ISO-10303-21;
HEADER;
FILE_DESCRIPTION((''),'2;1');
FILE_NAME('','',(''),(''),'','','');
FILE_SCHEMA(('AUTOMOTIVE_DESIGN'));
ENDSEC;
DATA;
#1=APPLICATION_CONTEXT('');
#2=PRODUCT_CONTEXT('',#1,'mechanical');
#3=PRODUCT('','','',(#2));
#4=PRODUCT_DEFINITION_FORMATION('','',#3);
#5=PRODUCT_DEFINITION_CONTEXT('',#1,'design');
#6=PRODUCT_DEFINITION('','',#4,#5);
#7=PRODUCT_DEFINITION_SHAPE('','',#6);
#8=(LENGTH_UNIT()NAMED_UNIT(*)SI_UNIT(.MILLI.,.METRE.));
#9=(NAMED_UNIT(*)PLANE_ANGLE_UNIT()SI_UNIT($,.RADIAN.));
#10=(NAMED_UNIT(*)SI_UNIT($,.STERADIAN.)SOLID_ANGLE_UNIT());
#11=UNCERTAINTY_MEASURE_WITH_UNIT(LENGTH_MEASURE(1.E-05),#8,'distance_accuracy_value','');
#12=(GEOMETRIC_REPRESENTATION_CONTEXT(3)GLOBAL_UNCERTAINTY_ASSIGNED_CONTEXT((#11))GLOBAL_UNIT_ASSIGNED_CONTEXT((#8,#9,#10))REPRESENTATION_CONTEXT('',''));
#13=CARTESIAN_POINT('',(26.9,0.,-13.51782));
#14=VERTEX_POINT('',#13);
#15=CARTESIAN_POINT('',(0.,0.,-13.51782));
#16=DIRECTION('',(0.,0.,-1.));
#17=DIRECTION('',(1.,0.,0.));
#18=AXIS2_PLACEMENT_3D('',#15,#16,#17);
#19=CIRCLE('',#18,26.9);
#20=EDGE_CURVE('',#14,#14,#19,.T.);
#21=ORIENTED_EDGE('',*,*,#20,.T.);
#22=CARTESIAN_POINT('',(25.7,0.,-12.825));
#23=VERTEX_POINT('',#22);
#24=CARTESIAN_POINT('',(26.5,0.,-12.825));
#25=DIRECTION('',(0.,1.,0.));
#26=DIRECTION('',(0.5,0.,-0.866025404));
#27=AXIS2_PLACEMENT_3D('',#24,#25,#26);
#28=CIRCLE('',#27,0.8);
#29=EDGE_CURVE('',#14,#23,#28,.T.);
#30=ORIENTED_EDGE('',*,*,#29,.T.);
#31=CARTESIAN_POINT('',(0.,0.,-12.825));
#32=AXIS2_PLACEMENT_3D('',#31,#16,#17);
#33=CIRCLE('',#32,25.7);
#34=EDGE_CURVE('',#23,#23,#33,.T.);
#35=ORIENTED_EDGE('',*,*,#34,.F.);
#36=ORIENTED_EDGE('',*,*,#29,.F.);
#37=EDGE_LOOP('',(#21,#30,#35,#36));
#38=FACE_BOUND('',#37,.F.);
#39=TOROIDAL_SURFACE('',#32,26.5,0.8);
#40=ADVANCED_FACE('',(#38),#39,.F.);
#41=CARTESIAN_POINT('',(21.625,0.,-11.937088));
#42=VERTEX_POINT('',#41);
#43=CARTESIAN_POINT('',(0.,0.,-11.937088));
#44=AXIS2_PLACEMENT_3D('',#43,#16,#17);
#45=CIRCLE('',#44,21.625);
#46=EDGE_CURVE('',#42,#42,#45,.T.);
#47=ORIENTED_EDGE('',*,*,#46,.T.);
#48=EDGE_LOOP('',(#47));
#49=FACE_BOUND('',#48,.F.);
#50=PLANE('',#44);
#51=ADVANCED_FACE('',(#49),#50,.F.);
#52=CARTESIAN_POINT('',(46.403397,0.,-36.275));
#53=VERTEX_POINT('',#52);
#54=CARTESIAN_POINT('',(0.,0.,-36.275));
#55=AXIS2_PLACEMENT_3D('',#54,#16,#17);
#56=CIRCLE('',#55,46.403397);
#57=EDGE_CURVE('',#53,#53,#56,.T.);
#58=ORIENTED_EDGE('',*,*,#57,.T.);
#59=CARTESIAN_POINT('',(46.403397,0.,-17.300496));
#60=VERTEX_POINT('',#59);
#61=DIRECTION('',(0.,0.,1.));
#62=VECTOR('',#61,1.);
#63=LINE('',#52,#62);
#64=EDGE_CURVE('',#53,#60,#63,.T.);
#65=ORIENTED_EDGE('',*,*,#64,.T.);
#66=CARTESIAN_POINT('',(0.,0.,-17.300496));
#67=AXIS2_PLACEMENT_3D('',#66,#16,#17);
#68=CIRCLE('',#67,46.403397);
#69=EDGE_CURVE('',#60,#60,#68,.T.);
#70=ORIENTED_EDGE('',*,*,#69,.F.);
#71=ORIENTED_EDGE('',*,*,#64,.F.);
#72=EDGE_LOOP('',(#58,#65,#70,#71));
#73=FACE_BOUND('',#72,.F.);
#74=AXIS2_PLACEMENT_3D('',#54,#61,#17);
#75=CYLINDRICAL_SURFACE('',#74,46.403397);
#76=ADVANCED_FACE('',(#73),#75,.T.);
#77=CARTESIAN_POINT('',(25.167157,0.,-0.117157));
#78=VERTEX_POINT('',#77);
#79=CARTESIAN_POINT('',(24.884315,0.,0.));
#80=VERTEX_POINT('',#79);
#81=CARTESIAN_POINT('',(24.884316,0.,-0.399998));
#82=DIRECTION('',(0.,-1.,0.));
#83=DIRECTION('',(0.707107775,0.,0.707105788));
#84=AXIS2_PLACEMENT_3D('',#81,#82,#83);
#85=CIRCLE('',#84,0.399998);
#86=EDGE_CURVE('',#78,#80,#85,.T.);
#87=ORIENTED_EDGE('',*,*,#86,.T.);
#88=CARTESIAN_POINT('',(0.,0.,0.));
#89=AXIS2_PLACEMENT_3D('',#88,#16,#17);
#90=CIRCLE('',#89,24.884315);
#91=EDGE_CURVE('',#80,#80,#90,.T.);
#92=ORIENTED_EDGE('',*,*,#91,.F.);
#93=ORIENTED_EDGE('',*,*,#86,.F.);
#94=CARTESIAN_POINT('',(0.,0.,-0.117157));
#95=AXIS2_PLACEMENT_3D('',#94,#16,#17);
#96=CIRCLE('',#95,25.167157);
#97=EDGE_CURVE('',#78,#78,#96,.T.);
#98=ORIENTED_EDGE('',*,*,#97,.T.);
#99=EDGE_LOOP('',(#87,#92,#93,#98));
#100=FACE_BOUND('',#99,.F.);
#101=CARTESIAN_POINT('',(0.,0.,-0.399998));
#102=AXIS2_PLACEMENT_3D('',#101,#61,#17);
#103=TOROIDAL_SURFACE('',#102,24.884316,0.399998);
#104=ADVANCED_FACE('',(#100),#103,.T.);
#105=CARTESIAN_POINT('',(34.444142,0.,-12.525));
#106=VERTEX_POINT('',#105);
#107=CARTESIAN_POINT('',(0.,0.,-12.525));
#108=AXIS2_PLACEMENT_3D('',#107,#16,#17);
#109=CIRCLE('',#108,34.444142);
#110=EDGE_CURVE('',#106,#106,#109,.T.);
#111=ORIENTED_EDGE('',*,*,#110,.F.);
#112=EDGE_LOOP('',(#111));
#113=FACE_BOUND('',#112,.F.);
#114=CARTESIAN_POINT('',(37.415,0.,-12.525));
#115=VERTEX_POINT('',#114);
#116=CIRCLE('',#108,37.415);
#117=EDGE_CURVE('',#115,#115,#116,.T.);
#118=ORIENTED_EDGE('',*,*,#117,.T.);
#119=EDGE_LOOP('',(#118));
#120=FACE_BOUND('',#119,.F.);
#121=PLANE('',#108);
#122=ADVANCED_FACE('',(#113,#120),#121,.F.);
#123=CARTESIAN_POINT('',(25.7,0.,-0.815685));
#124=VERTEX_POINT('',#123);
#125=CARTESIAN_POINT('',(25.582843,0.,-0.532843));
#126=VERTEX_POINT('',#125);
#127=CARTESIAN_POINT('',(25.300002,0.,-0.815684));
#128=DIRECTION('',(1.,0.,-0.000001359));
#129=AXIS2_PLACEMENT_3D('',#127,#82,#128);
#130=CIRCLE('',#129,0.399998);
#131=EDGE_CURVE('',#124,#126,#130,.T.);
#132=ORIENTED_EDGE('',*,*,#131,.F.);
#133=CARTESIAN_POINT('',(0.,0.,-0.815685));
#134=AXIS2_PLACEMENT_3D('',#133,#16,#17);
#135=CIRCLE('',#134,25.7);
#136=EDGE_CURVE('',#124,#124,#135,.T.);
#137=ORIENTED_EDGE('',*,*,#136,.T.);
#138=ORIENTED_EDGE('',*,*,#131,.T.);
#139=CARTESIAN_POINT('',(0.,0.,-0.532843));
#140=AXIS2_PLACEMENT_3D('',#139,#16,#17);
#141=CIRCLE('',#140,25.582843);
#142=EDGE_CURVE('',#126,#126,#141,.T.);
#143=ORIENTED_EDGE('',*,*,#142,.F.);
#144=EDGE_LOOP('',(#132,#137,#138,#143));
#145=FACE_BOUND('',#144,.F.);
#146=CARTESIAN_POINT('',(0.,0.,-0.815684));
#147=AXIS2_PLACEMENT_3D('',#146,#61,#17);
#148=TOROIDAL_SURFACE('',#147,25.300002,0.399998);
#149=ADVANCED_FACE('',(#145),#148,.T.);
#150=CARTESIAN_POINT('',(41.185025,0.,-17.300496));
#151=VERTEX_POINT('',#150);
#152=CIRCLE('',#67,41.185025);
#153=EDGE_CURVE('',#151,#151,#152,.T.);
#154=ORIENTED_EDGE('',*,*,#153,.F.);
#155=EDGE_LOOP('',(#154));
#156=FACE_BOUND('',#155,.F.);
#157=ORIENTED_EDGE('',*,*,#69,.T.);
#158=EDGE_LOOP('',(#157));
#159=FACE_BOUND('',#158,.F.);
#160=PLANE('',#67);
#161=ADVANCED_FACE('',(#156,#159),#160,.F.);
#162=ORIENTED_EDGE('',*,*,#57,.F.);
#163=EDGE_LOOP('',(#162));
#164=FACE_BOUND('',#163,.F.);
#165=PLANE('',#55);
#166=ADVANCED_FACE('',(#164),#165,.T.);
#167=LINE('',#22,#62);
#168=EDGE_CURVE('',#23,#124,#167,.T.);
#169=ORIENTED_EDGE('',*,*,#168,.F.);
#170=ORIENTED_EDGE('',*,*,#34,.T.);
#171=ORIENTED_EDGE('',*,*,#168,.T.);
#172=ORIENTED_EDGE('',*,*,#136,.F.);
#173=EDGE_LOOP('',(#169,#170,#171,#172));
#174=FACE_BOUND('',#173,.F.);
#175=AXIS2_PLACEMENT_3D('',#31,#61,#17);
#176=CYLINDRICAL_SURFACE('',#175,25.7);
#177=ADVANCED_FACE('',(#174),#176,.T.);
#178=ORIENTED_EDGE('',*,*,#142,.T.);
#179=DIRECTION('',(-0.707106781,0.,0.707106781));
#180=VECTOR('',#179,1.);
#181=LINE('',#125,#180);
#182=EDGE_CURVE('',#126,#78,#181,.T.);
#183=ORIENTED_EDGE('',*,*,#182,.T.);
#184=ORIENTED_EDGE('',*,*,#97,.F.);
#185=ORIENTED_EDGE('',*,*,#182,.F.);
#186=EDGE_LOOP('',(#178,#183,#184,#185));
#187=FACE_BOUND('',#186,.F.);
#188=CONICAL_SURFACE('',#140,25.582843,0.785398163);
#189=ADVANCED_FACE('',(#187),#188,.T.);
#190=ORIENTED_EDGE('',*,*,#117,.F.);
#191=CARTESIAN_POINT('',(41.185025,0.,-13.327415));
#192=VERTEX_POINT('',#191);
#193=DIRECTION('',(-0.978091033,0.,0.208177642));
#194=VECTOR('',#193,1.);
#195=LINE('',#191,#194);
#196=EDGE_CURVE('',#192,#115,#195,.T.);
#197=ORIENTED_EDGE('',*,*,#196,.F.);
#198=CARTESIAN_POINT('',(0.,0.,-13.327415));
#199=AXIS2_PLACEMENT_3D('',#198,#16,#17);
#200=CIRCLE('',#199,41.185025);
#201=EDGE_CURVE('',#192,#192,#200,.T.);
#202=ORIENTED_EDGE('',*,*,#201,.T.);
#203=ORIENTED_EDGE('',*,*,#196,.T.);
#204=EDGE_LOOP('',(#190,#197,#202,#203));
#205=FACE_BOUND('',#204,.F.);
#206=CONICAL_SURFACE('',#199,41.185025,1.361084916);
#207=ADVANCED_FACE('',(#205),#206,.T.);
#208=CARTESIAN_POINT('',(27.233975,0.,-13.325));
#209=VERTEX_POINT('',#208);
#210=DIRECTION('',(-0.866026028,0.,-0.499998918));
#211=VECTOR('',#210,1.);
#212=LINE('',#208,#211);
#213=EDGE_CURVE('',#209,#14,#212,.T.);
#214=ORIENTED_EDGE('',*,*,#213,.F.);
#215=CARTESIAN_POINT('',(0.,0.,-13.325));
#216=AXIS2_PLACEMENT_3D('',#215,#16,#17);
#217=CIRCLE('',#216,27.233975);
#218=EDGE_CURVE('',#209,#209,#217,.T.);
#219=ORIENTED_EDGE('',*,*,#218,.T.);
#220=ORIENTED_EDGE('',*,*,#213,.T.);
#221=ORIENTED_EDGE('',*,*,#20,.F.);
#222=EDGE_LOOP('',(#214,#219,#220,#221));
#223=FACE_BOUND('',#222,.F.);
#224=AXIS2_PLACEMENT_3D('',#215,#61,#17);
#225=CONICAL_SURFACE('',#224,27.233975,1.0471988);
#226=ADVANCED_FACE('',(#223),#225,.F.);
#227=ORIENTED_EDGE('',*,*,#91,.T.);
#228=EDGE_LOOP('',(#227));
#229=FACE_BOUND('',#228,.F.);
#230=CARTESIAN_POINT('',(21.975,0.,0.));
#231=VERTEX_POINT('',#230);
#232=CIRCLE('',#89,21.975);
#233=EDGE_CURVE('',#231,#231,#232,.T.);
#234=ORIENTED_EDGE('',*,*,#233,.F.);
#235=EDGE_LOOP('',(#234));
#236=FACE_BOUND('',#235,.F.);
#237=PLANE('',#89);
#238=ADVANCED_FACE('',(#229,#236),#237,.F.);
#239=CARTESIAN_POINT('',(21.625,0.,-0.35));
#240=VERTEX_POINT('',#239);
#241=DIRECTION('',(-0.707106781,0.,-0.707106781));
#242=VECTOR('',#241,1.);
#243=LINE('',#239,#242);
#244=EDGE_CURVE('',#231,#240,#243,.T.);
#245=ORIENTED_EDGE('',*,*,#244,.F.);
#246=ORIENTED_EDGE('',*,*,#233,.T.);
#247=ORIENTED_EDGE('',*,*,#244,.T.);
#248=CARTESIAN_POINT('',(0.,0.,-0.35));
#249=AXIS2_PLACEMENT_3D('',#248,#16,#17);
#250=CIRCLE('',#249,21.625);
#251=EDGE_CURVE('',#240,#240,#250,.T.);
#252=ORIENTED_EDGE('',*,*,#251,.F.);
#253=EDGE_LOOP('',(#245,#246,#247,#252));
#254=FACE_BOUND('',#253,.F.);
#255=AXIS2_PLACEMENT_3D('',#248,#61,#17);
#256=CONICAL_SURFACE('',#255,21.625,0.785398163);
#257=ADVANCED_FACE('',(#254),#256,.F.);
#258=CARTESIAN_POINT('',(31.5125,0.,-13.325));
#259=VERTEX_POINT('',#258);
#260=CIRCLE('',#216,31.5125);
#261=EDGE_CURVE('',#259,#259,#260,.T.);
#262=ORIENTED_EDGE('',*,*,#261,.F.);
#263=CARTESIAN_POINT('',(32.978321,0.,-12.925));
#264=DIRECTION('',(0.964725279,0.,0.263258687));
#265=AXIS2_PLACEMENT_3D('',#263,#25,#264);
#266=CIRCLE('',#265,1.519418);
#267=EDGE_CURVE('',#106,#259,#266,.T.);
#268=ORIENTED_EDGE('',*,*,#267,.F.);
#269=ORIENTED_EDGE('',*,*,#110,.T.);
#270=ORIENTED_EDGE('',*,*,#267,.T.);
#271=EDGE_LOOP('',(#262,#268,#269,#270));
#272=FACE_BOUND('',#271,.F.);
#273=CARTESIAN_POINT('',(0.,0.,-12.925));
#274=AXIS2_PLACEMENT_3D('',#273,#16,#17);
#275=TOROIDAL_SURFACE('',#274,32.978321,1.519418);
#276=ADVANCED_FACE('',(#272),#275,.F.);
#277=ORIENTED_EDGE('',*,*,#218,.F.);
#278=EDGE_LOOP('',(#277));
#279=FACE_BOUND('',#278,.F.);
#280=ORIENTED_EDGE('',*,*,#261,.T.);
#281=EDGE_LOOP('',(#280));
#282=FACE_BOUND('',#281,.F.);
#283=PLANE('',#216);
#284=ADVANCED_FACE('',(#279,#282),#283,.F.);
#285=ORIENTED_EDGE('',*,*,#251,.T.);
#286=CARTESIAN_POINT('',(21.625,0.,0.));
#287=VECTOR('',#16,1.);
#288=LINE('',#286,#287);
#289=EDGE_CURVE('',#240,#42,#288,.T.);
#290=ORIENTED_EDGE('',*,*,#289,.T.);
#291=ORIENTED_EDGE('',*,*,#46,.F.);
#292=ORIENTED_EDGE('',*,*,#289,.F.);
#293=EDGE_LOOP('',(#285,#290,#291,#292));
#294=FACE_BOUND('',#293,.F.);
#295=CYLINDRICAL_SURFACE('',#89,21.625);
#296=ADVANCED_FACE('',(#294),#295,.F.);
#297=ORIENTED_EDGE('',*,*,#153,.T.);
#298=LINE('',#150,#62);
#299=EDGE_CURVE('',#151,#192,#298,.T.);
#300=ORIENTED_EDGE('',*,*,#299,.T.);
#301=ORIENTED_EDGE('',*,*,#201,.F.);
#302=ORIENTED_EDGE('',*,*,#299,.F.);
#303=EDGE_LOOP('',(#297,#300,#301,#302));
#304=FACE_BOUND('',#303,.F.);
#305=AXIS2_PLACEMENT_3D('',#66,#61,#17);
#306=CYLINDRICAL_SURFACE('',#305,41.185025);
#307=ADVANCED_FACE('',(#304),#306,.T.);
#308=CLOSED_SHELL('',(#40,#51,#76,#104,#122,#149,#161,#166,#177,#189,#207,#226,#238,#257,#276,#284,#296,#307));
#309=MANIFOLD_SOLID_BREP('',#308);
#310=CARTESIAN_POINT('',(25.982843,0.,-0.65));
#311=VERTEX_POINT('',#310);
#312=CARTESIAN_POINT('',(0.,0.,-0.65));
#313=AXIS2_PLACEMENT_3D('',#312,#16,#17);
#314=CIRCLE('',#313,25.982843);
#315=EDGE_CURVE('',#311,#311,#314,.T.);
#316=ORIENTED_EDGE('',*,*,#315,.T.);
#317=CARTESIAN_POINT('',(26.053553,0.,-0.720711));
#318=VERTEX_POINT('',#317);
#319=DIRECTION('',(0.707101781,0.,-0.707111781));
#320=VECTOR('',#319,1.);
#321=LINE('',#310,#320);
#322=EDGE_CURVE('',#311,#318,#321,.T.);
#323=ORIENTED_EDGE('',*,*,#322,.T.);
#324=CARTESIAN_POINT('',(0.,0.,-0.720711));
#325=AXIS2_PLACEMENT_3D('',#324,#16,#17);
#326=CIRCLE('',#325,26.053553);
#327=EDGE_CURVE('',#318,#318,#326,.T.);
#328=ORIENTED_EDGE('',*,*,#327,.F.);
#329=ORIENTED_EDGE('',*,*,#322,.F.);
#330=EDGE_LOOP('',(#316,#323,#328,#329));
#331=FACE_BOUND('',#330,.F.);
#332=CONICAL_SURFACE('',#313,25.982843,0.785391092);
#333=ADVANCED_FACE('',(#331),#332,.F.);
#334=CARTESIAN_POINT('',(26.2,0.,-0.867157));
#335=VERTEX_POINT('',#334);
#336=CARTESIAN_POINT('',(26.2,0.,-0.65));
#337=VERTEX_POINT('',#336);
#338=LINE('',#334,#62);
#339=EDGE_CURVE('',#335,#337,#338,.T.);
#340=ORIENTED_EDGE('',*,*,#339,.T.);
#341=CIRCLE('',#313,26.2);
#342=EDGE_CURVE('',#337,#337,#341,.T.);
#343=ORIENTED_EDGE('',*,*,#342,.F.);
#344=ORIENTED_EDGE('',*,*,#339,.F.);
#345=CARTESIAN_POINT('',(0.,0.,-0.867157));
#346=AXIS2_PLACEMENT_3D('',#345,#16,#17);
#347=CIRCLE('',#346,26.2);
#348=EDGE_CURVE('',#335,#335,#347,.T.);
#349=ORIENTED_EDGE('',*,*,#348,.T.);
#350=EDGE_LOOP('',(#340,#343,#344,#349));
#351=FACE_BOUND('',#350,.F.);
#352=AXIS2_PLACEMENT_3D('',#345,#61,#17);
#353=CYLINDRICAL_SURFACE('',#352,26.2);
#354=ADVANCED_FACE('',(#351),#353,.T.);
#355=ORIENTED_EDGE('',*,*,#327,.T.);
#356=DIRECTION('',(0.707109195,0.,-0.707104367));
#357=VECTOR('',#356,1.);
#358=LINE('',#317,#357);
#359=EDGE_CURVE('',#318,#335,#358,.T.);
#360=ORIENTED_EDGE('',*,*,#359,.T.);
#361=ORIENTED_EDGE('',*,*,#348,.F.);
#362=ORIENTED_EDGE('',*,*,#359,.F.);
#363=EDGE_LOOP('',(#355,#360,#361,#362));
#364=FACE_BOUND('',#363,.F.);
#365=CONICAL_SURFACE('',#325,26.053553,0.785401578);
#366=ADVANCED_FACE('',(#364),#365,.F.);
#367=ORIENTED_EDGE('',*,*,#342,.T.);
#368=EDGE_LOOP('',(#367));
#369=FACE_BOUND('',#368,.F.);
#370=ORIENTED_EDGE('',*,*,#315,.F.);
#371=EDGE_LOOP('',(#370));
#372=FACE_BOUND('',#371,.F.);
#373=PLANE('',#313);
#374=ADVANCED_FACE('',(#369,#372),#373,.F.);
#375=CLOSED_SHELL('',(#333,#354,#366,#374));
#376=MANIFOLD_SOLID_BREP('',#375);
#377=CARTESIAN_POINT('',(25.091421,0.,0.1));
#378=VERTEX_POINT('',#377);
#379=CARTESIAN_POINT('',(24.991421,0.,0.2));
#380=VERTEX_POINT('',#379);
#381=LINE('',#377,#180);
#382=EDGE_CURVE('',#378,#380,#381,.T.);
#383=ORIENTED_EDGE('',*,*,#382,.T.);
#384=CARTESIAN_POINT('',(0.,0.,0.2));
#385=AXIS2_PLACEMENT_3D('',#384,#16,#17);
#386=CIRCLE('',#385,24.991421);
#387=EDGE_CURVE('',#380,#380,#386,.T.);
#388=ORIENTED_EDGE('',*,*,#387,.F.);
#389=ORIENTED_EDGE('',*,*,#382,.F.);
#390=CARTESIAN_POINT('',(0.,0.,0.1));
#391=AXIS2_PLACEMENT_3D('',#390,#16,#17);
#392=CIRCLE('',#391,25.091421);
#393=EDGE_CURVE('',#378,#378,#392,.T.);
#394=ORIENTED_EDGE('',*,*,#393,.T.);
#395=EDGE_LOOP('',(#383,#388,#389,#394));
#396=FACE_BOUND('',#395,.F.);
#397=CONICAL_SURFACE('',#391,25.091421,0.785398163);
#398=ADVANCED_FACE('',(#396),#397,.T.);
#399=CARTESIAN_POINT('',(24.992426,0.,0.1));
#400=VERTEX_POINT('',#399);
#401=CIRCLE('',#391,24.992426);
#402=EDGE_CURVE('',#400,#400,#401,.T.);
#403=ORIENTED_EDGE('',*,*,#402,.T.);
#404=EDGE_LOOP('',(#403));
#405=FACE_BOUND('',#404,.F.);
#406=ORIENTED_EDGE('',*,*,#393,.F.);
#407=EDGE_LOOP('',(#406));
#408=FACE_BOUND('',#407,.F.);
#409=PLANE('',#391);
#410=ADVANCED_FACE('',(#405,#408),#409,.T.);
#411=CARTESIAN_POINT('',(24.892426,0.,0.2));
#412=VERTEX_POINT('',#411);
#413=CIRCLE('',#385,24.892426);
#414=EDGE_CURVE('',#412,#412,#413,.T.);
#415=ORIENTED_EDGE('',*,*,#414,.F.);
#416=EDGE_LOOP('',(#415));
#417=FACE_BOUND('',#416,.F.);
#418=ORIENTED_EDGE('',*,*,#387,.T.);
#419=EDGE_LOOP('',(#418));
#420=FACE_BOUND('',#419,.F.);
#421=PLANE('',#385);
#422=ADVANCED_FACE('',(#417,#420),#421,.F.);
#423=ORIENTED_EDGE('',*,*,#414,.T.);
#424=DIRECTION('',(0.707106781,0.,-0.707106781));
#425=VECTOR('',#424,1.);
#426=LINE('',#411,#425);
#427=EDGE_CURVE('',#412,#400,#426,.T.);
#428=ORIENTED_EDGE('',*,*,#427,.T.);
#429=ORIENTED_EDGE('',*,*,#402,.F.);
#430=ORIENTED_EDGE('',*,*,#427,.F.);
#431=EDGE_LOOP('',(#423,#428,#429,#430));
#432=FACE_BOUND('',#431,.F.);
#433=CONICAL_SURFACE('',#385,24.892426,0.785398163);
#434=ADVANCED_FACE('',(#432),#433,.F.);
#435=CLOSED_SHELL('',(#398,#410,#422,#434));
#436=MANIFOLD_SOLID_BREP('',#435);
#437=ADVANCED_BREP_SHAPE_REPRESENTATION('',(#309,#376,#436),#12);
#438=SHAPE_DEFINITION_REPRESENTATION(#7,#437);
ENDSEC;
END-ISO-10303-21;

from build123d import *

# Parameters (mm, degrees)
F2_SIZE = 0.35


with BuildPart() as f1:
    # F0 (on Front) → F1 (revolve)
    with BuildSketch(Plane.XZ):
        with BuildLine():
            Line((24.884315, 0), (21.625, 0))
            Line((21.625, 0), (21.625, -11.937088))
            Line((21.625, -11.937088), (0, -11.937088))
            Line((0, -11.937088), (0, -36.275))
            Line((0, -36.275), (31.5125, -36.275))
            Line((31.5125, -36.275), (31.5125, -13.325))
            Line((31.5125, -13.325), (27.233975, -13.325))
            Line((27.233975, -13.325), (26.9, -13.51782))
            ThreePointArc((26.9, -13.51782), (26.1, -13.51782), (25.7, -12.825))
            Line((25.7, -12.825), (25.7, -0.815685))
            ThreePointArc((25.7, -0.815685), (25.669552, -0.662612), (25.582843, -0.532843))
            Line((25.582843, -0.532843), (25.167157, -0.117157))
            ThreePointArc((25.167157, -0.117157), (25.037388, -0.030448), (24.884315, 0))
        make_face()
        with BuildLine():
            Line((31.5125, -13.325), (31.5125, -36.275))
            Line((31.5125, -36.275), (37.415, -36.275))
            Line((37.415, -36.275), (37.415, -12.525))
            Line((37.415, -12.525), (34.444142, -12.525))
            ThreePointArc((34.444142, -12.525), (33.378321, -14.390821), (31.5125, -13.325))
        make_face()
        Polygon((37.415, -12.525), (37.415, -36.275), (46.403397, -36.275), (46.403397, -17.300496), (41.185025, -17.300496), (41.185025, -13.327415), align=None)
        Polygon((26.2, -0.867157), (26.2, -0.65), (25.982843, -0.65), (26.053553, -0.720711), align=None)
        Polygon((25.091421, 0.1), (24.991421, 0.2), (24.892426, 0.2), (24.992426, 0.1), align=None)
    revolve(axis=Axis((0, 0, -24.106044), (0, 0, -1)))

    # F2
    f2_edges = [f1.edges().sort_by_distance(p)[0] for p in [
        (-21.625, 0, 0),
    ]]
    chamfer(f2_edges, length=F2_SIZE)


solid = f1.part
